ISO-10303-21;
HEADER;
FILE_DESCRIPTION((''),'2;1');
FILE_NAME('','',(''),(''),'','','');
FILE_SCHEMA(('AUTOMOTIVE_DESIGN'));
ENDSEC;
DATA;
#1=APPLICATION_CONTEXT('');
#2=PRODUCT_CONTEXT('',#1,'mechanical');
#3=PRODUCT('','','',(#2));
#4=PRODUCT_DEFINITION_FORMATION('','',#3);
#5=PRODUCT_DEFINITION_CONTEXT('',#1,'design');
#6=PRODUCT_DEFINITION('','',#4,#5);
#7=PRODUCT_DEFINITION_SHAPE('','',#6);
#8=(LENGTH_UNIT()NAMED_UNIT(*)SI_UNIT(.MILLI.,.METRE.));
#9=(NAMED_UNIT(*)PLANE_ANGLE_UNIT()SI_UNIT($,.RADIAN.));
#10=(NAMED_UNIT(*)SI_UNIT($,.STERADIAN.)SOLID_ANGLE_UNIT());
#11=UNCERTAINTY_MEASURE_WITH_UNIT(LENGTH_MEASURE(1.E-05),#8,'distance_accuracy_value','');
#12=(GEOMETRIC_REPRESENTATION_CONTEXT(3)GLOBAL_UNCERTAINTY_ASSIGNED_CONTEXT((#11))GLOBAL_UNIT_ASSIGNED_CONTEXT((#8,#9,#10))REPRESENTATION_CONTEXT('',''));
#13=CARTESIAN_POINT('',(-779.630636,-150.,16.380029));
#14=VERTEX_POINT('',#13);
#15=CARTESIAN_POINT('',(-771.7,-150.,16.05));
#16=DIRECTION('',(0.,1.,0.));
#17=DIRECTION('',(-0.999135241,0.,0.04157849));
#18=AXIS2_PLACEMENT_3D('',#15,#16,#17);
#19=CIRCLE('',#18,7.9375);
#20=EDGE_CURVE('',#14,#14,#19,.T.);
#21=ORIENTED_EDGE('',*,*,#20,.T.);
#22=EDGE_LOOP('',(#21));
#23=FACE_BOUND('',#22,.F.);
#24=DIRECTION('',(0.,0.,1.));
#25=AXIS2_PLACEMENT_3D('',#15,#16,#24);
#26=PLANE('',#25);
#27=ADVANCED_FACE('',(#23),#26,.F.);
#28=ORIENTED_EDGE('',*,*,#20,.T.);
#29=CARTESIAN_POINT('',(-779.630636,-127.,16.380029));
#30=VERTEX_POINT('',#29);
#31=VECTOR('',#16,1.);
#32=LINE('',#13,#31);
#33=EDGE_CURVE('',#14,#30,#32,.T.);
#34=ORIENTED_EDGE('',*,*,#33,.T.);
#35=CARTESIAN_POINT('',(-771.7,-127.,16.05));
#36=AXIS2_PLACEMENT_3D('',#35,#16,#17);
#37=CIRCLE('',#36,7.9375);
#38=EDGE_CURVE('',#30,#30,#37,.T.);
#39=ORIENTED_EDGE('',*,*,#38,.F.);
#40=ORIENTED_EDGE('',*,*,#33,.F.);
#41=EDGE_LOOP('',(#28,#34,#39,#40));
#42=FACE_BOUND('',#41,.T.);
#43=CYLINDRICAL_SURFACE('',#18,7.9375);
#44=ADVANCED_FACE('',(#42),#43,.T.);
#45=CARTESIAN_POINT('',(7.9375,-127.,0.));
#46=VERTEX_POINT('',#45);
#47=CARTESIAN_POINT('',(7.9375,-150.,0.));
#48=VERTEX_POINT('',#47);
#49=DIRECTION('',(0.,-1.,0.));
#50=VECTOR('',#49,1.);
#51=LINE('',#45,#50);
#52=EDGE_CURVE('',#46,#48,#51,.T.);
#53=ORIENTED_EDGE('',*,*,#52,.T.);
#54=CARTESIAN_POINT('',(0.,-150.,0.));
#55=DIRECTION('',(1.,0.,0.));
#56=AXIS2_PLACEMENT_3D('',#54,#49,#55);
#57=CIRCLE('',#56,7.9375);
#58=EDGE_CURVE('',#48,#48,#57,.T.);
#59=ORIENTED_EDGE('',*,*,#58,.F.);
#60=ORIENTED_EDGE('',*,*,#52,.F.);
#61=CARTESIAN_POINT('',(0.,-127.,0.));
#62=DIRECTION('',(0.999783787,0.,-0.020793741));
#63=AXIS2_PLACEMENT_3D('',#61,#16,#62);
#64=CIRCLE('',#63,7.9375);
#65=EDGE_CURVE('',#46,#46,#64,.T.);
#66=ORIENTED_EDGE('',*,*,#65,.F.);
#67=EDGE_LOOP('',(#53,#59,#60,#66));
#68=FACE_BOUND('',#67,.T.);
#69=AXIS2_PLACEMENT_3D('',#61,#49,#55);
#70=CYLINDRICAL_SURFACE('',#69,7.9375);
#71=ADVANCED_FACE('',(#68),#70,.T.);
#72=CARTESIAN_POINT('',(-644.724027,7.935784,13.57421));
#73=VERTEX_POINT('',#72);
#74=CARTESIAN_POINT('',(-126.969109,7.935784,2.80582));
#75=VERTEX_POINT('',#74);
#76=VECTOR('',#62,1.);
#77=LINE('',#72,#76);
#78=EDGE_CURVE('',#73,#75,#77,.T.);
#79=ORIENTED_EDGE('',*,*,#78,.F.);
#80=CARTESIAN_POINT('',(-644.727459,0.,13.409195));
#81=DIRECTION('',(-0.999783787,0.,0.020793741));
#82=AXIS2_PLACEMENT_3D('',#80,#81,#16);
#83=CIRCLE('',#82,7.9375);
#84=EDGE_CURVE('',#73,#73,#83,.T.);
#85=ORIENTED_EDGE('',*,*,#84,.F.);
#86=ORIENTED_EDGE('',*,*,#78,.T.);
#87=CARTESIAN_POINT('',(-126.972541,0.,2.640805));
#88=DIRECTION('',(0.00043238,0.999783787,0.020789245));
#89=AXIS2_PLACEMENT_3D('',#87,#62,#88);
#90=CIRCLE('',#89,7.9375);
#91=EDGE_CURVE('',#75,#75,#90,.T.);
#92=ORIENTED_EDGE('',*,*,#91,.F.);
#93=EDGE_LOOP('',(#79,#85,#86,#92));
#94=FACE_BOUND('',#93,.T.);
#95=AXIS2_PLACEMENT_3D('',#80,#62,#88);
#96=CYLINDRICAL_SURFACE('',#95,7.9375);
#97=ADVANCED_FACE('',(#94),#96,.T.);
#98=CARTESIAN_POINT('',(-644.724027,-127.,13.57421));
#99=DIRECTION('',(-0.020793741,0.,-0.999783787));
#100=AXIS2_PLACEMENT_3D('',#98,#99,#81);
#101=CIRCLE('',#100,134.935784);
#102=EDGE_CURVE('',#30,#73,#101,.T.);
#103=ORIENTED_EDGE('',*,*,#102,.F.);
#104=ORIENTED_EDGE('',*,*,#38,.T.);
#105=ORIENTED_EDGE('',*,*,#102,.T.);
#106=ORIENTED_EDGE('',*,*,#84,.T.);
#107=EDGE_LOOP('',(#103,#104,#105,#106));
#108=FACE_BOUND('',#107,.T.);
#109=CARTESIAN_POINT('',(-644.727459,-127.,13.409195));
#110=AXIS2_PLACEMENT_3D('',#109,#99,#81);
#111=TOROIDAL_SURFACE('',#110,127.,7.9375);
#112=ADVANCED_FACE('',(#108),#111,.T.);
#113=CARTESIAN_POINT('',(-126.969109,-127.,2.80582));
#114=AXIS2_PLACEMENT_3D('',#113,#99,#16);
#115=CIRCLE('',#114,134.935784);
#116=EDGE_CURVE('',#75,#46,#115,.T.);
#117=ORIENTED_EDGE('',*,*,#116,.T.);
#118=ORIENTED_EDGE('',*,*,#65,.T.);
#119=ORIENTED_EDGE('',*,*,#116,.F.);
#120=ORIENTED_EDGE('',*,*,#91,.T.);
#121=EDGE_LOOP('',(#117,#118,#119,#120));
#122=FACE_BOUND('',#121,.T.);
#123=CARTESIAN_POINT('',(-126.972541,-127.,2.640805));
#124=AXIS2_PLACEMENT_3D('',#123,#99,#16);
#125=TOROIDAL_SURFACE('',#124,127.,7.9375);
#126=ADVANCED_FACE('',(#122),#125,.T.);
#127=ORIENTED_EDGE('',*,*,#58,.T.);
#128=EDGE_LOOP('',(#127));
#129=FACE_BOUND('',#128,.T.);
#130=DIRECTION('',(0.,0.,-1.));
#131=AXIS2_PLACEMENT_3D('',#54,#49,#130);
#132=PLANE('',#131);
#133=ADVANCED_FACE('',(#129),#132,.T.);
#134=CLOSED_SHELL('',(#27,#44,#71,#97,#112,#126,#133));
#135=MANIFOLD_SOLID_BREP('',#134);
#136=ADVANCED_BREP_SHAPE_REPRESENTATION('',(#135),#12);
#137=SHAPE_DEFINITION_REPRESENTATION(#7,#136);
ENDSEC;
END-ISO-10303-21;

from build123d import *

# Parameters (mm, degrees)
F5_R = 7.9375


with BuildPart() as f6:
    # F6: sweep along a path in F3
    with BuildLine(Plane(origin=(0, 0, 0), x_dir=(0.9997837868, 0, -0.0207937408), z_dir=(-0.0207937408, 0, -0.9997837868))) as f6_path:
        Line((-771.8668878116, 150), (-771.8668878116, 127))
        ThreePointArc((-771.8668878116, 127), (-734.6694490223, 37.1974387893), (-644.8668878116, 0))
        Line((-644.8668878116, 0), (-127, 0))
        ThreePointArc((-127, 0), (-37.1974387893, 37.1974387893), (0, 127))
        Line((0, 127), (0, 150))
    # F5 (on offset) → F6 (sweep)
    with BuildSketch(Plane.XZ.offset(150)):
        Circle(F5_R)
    sweep(path=f6_path.line)


solid = f6.part
